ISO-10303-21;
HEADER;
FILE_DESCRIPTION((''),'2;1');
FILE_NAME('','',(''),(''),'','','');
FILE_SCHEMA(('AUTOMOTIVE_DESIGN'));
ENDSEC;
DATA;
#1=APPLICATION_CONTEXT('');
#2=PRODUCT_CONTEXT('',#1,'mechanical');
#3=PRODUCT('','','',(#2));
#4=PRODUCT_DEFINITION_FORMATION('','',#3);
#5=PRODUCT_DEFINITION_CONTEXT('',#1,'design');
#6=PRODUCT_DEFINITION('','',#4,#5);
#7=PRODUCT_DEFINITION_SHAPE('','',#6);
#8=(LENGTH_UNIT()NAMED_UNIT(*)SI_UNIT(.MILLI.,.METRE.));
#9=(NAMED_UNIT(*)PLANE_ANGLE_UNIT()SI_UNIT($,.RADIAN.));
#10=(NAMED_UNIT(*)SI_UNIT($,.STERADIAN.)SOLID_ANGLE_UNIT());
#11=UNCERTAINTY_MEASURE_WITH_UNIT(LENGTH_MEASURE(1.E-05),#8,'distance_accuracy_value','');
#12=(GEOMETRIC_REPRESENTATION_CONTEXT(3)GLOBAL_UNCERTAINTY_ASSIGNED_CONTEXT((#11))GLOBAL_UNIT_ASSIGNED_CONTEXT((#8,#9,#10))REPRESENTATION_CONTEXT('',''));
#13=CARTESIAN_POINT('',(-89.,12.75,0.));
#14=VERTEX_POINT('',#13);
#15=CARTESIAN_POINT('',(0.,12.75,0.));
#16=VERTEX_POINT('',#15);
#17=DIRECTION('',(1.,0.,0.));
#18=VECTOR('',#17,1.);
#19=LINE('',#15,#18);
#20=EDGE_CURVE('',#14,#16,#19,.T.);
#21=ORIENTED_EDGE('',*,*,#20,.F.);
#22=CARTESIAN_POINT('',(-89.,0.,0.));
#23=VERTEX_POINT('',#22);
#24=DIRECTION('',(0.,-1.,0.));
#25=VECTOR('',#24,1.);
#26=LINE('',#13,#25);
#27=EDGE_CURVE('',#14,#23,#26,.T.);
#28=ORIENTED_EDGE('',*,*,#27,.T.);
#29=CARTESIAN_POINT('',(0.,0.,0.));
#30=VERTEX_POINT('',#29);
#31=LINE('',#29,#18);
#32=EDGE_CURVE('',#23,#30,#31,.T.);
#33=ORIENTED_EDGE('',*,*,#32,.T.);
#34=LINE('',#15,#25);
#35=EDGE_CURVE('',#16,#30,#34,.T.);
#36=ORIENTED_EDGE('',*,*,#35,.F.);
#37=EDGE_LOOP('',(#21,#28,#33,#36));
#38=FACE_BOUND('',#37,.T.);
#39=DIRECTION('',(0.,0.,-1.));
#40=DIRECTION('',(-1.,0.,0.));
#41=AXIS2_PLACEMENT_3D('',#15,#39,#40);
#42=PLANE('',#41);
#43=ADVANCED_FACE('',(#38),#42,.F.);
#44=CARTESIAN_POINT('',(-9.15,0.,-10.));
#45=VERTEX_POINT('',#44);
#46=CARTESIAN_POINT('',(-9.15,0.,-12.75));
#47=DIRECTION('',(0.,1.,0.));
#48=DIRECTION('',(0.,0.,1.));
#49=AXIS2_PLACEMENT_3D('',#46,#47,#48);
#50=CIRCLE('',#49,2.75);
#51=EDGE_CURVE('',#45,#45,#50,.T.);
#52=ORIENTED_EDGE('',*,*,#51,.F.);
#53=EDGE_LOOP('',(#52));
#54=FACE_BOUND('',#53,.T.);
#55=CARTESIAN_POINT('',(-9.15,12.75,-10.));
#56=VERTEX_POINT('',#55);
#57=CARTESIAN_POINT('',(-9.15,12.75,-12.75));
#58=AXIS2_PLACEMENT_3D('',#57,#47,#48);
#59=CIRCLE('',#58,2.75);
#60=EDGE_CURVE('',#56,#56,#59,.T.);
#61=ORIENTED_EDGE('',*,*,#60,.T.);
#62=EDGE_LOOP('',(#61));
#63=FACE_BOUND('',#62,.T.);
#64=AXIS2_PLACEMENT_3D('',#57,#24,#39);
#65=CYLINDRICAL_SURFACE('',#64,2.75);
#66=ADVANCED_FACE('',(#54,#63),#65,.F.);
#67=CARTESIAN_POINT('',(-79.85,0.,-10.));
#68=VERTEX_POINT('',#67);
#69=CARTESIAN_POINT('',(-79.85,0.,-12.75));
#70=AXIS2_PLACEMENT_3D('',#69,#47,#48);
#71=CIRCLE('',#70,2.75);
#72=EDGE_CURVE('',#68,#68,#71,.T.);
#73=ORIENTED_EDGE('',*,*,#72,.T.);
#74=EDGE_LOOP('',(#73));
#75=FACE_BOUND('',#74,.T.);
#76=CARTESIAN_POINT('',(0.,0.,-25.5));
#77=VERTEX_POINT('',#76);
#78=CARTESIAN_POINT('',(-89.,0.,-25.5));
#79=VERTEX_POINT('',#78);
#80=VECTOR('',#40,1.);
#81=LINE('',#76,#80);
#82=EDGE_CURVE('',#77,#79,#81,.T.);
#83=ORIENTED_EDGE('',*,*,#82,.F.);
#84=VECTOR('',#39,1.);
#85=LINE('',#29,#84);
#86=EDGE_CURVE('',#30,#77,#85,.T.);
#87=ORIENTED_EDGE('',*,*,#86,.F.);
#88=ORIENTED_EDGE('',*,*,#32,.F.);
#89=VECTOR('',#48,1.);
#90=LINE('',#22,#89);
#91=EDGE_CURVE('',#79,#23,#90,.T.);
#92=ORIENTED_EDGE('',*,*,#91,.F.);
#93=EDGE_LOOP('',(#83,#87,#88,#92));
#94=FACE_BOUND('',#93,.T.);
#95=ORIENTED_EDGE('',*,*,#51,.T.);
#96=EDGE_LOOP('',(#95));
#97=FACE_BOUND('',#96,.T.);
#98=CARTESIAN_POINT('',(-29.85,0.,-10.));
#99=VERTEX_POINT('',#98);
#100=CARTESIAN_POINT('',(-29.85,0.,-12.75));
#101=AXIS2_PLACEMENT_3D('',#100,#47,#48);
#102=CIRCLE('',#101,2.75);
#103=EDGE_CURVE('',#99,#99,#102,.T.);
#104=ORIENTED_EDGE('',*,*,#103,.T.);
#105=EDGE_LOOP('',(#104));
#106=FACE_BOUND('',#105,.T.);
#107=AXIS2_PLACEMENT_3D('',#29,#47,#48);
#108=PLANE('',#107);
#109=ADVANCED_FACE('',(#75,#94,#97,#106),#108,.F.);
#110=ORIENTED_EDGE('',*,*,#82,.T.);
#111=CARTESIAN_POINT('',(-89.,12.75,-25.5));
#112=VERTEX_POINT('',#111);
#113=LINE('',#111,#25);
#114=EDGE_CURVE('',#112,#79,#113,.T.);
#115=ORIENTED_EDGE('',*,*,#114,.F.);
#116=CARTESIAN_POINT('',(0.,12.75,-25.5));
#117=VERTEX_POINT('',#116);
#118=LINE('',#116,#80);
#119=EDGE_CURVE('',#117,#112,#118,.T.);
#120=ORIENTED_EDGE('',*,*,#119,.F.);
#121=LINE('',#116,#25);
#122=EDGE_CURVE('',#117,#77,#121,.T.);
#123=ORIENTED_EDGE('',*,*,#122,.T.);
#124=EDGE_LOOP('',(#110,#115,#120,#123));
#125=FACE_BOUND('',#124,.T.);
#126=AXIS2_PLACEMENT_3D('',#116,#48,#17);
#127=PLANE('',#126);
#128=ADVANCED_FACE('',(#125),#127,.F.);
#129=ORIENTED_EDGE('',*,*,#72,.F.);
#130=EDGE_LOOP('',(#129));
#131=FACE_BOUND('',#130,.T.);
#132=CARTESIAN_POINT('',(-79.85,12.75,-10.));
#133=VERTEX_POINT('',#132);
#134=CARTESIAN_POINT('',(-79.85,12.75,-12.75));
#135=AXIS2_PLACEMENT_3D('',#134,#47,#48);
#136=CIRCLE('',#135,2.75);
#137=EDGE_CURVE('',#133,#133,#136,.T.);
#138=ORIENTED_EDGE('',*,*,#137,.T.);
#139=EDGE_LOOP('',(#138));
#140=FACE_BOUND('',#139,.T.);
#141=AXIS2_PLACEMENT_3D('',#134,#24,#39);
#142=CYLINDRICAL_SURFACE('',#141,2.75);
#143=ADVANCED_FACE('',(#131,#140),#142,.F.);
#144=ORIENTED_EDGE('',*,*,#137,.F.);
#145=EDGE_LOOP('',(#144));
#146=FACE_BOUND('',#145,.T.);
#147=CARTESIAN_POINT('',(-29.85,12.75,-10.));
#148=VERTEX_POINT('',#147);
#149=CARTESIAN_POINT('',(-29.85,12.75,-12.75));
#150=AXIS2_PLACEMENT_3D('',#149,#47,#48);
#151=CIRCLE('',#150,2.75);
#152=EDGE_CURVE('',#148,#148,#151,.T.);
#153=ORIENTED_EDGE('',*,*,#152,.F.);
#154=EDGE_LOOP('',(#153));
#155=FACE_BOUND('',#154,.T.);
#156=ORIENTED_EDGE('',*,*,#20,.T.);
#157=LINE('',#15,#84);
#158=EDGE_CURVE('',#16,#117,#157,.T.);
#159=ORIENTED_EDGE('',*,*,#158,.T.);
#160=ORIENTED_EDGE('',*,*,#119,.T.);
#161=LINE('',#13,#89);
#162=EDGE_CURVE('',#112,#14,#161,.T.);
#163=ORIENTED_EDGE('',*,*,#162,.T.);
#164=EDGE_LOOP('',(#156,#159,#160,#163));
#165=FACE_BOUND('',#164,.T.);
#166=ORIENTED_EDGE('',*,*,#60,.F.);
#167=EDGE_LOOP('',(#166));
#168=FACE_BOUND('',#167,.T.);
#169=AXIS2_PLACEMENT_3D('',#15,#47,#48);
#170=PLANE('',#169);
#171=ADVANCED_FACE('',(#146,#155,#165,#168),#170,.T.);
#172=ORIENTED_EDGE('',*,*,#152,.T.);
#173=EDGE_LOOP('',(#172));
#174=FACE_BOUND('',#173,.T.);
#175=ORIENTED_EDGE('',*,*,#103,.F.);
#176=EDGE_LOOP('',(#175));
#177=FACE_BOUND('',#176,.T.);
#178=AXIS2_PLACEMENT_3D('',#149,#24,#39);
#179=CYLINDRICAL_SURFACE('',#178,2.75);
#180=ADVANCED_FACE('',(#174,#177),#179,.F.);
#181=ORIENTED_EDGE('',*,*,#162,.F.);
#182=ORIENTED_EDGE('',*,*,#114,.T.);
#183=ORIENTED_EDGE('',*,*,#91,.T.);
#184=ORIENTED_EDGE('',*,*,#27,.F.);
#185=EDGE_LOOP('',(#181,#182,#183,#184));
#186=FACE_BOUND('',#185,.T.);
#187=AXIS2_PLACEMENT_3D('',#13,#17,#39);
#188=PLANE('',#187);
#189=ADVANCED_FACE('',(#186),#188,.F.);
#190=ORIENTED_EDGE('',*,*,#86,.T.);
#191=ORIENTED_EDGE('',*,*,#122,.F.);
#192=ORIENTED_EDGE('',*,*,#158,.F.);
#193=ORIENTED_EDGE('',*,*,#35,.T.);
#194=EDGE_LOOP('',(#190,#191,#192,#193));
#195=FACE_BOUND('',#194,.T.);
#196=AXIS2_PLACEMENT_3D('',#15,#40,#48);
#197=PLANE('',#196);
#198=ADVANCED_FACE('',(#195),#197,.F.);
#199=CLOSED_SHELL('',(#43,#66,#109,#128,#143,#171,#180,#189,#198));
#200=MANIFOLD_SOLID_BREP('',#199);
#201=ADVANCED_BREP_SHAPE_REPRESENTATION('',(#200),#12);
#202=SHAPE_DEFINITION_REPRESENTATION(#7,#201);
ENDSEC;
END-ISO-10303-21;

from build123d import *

# Parameters (mm, degrees)
ESBO_O1_W                = 89
ESBO_O1_H                = 25.5
ESBO_O1_R                = 2.75
RESSALTO_EXTRUS_O1_DEPTH = 12.75


with BuildPart() as part:
    # Esboço1 → Ressalto-extrusão1 (new body)
    with BuildSketch(Plane(origin=(0, 0, 0), x_dir=(1, 0, 0), z_dir=(0, 1, 0))):
        with Locations((-44.5, 12.75)):
            Rectangle(ESBO_O1_W, ESBO_O1_H)
        with Locations((-79.85, 12.75)):
            Circle(ESBO_O1_R, mode=Mode.SUBTRACT)
        with Locations((-9.15, 12.75)):
            Circle(ESBO_O1_R, mode=Mode.SUBTRACT)
        with Locations((-29.85, 12.75)):
            Circle(ESBO_O1_R, mode=Mode.SUBTRACT)
    extrude(amount=RESSALTO_EXTRUS_O1_DEPTH)


solid = part.part
